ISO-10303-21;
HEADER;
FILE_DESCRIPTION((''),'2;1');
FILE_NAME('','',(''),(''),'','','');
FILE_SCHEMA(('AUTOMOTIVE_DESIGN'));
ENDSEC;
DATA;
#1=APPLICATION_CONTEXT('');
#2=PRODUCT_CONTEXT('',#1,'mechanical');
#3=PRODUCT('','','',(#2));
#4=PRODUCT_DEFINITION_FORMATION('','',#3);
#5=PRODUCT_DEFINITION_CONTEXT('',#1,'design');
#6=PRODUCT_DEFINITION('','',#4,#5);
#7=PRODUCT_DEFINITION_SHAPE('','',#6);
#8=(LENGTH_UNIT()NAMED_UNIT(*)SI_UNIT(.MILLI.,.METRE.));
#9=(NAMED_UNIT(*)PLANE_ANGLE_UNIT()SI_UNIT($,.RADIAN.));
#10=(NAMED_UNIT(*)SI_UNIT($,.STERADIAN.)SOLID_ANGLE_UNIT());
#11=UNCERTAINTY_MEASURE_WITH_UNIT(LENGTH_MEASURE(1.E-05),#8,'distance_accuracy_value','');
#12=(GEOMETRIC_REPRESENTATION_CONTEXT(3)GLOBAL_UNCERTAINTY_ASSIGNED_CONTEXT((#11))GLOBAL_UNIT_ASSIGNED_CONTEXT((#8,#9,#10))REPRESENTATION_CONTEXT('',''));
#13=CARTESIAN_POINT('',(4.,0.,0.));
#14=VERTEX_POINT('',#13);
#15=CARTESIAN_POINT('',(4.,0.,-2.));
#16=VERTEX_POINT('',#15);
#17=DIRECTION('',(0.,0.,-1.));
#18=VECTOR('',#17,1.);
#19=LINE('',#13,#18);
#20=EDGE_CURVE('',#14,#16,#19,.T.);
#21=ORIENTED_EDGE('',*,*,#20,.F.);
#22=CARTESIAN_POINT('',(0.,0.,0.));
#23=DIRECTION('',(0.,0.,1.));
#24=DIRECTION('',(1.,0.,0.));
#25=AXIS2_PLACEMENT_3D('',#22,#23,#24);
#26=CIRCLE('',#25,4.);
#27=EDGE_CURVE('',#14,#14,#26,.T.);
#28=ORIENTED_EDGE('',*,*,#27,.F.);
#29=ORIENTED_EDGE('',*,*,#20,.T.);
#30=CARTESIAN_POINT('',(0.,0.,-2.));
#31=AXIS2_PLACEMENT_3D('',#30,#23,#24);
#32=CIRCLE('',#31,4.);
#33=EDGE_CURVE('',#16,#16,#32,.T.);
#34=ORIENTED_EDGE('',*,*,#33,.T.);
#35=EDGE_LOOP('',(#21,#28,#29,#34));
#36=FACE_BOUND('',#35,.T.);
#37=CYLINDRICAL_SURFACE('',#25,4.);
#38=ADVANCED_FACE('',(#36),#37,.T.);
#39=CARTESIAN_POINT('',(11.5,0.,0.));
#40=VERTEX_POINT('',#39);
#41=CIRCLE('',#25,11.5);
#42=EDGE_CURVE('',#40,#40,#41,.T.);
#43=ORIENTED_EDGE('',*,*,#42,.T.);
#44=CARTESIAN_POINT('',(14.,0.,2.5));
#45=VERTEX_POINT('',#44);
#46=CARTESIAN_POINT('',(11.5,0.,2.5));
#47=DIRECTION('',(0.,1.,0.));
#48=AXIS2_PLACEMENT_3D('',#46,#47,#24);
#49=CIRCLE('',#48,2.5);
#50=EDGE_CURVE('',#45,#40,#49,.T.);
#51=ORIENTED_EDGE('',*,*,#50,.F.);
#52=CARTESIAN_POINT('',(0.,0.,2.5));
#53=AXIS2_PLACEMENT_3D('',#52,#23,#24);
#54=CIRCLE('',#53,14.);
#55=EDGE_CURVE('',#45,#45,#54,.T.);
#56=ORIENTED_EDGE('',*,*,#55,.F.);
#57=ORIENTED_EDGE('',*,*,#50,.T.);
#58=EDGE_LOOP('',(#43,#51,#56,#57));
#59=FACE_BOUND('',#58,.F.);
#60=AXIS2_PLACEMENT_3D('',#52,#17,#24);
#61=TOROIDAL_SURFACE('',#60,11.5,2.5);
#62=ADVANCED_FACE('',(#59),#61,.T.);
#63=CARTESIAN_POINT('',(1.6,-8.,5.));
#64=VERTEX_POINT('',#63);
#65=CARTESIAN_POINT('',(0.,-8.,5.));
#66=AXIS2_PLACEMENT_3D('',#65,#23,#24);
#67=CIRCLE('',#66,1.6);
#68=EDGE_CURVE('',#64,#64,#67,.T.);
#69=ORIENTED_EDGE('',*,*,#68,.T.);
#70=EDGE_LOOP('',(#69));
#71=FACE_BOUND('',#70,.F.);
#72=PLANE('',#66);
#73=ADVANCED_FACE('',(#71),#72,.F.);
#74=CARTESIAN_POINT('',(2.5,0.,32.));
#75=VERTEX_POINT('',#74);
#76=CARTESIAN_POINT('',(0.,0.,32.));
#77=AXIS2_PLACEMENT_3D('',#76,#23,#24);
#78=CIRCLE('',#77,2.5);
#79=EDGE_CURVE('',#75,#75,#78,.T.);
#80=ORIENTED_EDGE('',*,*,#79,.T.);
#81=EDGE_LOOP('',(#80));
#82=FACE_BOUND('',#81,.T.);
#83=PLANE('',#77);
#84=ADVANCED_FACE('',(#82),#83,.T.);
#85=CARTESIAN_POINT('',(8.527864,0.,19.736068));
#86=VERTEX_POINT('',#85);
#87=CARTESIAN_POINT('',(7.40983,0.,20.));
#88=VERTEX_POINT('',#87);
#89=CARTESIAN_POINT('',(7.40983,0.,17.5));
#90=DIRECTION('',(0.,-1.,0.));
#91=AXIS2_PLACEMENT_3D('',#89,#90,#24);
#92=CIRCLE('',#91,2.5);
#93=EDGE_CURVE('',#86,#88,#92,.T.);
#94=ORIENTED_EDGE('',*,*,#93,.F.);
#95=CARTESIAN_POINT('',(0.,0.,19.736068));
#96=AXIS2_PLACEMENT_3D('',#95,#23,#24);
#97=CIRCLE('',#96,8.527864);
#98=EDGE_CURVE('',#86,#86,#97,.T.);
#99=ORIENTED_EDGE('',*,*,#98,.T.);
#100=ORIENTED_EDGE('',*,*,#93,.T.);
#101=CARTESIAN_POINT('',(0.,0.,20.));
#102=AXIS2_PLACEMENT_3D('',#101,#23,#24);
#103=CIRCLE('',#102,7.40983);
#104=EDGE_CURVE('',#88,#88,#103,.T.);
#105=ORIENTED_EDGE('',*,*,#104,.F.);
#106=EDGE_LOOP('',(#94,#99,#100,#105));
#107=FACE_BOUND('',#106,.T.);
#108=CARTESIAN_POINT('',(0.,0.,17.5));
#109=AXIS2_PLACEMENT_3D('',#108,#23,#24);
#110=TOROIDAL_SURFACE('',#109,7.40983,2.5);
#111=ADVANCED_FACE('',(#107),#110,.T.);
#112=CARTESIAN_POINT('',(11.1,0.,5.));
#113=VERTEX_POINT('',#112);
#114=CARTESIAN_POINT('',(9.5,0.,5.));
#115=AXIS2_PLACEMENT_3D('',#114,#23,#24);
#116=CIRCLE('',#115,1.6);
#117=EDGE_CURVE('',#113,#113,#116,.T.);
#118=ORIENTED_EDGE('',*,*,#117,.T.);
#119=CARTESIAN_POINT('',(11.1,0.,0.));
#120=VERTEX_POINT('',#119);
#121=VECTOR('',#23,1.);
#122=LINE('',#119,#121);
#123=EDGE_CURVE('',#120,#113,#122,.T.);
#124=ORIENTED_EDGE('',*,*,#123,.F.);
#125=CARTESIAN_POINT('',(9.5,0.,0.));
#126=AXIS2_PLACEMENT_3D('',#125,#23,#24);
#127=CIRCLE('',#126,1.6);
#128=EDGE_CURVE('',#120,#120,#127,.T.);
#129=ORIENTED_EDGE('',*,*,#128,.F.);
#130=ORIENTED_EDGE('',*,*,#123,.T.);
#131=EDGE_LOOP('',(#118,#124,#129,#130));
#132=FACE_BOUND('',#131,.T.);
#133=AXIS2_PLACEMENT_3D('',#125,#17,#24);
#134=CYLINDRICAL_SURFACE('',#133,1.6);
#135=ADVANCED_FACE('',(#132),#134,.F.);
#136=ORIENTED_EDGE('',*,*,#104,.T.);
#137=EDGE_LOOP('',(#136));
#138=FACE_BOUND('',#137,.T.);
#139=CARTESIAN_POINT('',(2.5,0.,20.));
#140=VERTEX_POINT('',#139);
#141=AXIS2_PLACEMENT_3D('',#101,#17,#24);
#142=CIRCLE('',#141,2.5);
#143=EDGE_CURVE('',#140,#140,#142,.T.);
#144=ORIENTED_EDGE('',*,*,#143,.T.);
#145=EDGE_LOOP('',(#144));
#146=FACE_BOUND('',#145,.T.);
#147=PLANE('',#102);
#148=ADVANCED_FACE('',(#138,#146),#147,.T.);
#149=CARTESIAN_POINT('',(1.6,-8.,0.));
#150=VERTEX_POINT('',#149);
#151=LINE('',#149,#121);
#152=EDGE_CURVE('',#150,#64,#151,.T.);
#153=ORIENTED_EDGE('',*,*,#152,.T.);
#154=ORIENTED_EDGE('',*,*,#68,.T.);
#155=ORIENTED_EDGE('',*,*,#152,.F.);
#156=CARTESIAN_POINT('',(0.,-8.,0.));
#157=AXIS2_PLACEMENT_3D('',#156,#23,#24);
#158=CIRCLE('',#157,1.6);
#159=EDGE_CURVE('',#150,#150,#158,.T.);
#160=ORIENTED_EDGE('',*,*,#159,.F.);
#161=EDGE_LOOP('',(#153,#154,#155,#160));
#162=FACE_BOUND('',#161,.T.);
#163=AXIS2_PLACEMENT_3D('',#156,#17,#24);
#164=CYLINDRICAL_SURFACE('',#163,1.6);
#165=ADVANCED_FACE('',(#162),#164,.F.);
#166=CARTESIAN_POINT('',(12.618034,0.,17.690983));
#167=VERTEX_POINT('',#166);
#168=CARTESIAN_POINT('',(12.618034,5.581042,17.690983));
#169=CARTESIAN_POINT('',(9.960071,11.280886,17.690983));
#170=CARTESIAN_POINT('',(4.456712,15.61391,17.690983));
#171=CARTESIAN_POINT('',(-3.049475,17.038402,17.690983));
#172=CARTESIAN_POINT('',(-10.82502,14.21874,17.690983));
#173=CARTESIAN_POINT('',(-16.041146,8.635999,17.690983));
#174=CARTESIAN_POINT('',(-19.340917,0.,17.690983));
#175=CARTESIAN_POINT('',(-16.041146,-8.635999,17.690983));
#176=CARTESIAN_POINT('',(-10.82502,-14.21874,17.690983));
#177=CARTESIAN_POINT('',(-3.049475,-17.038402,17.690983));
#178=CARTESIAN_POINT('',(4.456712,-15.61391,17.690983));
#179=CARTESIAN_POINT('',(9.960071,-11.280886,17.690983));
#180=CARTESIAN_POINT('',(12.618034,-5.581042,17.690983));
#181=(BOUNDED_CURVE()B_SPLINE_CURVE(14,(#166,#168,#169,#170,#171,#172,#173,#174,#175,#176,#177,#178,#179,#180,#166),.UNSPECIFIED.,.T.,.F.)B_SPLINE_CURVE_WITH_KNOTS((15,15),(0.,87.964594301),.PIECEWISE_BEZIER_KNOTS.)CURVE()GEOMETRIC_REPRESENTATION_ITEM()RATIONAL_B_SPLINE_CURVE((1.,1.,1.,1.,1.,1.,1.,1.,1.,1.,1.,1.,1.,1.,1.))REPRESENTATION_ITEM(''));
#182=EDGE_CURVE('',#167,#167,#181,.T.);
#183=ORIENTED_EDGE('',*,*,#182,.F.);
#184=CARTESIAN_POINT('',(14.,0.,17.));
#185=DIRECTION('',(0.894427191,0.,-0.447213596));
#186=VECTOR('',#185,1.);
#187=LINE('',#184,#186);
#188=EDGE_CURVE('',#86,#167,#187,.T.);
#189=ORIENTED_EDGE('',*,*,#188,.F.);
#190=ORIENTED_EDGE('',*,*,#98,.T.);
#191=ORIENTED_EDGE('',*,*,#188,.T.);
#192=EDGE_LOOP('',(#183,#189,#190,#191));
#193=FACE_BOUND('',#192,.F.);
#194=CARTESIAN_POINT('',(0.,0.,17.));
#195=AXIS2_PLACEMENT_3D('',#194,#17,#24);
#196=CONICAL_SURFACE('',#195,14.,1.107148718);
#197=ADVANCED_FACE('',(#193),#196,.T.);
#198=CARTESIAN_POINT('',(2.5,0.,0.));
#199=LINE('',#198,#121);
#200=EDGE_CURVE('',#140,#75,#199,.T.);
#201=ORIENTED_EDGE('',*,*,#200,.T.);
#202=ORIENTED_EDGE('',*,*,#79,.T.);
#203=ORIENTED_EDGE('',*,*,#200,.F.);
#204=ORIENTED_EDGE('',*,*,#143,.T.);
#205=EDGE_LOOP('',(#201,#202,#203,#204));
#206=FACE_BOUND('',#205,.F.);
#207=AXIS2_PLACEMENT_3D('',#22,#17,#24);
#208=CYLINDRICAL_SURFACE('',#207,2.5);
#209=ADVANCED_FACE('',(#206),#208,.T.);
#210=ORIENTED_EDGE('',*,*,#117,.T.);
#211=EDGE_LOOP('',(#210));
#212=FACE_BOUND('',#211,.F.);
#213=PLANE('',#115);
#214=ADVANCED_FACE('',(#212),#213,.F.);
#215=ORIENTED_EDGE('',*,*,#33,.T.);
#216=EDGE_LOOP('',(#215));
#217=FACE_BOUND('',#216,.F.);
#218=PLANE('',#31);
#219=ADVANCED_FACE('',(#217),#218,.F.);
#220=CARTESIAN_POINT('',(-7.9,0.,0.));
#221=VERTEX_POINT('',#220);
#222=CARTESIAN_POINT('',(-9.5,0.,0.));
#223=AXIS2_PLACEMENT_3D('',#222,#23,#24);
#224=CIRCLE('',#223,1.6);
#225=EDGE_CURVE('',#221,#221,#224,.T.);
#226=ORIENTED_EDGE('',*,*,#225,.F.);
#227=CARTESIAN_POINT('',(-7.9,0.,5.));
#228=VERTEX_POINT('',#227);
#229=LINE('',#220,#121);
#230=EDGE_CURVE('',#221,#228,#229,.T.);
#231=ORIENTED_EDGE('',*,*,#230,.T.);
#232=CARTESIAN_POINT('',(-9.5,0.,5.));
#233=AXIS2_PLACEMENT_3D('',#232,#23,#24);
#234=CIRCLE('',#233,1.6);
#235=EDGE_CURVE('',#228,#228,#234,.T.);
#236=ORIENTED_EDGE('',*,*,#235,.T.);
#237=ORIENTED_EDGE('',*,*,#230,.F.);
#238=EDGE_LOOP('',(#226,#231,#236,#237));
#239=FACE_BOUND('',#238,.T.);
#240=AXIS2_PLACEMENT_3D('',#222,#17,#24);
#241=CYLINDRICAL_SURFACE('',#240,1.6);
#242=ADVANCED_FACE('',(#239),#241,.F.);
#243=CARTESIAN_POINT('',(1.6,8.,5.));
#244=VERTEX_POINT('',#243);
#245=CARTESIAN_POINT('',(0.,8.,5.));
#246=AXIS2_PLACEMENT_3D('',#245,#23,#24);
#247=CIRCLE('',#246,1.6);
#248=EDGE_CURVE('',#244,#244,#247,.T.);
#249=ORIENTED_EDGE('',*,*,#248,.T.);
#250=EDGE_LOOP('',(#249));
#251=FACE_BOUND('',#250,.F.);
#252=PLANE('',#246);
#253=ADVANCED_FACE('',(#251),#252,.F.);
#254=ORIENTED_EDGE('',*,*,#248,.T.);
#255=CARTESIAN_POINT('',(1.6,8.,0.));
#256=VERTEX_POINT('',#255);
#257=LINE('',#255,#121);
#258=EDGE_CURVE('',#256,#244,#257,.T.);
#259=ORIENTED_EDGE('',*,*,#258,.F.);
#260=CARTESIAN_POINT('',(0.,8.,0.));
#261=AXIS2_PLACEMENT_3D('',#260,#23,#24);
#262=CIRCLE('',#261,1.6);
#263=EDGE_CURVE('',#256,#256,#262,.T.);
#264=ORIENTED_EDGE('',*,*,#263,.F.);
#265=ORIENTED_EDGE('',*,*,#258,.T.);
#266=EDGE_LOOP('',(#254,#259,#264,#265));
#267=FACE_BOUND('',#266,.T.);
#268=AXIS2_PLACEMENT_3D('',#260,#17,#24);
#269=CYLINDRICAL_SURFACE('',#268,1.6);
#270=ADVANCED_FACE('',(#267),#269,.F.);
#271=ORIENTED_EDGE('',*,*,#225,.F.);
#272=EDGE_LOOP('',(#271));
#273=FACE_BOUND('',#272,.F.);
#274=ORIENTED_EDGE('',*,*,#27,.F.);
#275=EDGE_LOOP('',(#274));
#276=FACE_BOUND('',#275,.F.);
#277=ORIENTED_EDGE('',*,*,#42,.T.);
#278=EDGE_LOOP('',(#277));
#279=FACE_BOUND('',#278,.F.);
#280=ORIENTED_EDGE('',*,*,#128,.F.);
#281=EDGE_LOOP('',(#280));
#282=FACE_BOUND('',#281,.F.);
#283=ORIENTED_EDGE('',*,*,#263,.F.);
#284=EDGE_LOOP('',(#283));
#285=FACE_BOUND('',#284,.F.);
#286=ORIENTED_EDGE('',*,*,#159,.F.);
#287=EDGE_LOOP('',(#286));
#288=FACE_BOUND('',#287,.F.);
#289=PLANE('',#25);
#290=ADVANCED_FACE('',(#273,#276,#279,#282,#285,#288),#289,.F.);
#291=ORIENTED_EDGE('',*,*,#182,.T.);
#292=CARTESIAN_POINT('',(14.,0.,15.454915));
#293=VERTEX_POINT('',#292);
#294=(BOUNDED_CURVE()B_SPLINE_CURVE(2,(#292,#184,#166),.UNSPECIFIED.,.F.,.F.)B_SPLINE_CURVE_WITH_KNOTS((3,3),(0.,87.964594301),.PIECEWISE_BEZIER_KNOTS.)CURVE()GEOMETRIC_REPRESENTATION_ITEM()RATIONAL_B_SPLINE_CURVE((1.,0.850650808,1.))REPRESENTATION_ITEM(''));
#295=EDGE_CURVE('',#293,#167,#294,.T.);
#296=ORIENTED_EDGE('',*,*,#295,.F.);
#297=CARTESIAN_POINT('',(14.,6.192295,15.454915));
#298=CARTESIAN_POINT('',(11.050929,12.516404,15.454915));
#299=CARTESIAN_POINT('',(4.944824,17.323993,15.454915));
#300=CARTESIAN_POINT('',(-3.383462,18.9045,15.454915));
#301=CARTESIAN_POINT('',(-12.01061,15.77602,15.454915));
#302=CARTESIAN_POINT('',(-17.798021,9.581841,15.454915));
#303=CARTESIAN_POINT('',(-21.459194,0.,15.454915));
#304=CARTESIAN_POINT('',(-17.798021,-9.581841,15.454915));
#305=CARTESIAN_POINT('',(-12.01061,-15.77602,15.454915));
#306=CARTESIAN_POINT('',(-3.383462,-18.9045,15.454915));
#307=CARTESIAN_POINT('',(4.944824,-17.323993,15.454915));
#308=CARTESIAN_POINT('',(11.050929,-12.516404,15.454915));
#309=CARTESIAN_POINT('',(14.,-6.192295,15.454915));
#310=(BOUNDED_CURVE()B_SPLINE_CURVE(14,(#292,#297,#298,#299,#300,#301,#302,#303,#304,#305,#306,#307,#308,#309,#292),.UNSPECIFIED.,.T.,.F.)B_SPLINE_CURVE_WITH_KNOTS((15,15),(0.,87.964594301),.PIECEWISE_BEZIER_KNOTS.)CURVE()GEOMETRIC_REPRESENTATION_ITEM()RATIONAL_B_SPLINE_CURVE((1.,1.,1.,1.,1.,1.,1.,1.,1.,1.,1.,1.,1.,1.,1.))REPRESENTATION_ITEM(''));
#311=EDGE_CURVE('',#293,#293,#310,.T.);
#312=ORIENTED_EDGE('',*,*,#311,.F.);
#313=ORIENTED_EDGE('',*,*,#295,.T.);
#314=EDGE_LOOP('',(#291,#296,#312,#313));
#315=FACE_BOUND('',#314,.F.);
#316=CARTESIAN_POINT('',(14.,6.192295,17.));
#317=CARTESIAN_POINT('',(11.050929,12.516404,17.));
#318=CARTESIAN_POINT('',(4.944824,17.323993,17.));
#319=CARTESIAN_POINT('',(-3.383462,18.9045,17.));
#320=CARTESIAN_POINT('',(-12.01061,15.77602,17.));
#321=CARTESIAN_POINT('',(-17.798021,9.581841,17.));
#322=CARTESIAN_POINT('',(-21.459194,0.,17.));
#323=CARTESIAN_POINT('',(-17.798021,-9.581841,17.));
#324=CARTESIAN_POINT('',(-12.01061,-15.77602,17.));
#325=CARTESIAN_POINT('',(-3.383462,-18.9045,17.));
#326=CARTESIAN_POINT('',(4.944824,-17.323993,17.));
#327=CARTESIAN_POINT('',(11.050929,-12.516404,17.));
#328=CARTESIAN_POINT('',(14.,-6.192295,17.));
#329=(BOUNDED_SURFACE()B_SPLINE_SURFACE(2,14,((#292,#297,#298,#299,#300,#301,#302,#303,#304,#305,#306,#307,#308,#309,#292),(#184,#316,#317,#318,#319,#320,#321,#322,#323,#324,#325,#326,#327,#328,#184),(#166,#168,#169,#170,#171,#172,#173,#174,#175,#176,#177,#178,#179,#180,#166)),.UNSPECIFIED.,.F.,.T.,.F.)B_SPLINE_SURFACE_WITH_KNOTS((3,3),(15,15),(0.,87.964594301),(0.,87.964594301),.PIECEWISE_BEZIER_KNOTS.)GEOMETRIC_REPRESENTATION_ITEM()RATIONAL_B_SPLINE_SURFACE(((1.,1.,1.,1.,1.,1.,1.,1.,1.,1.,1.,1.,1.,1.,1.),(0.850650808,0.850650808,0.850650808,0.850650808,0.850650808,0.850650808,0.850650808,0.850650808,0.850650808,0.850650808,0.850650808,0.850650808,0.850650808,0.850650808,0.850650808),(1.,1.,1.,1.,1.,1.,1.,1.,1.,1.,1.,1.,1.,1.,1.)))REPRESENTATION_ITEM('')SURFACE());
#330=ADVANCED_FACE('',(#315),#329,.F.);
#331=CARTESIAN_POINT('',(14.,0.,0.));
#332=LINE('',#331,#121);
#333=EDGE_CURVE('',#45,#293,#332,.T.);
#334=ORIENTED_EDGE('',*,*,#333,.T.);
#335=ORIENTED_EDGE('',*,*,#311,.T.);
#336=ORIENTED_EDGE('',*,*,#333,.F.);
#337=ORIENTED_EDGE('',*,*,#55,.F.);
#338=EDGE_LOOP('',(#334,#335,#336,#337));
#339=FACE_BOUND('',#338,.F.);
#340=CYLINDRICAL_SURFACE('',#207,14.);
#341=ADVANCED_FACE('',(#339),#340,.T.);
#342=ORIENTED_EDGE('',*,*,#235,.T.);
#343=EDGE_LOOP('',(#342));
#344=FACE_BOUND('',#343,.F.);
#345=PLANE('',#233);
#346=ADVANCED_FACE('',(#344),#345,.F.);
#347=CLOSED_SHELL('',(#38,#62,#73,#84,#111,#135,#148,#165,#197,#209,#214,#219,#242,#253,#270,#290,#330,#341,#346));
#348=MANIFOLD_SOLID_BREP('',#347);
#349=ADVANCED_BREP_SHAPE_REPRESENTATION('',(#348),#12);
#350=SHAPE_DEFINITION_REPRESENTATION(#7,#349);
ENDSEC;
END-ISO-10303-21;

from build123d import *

# Parameters (mm, degrees)
F0_R     = 14
F0_R_2   = 1.6
F0_R_3   = 4
F0_R_4   = 2.5
F1_DEPTH = 20
F2_DEPTH = 32
F3_DEPTH = 2
F4_START = 5
F4_DEPTH = 15
F5_SIZE2 = 3
F5_SIZE  = 6
F6_R     = 2.5


with BuildPart() as f1:
    # F0 (on Top) → F1 (new body)
    with BuildSketch(Plane.XY):
        Circle(F0_R)
        with Locations((0, -8)):
            Circle(F0_R_2, mode=Mode.SUBTRACT)
        with Locations((-9.5, 0)):
            Circle(F0_R_2, mode=Mode.SUBTRACT)
        Circle(F0_R_3, mode=Mode.SUBTRACT)
        with Locations((9.5, 0)):
            Circle(F0_R_2, mode=Mode.SUBTRACT)
        with Locations((0, 8)):
            Circle(F0_R_2, mode=Mode.SUBTRACT)
        Circle(F0_R_3)
        Circle(F0_R_4, mode=Mode.SUBTRACT)
        Circle(F0_R_4)
    extrude(amount=F1_DEPTH)

    # F0 (on Top) → F2 (join)
    with BuildSketch(Plane.XY):
        Circle(F0_R_4)
    extrude(amount=F2_DEPTH)

    # F0 (on Top) → F3 (join)
    with BuildSketch(Plane.XY):
        Circle(F0_R_3)
        Circle(F0_R_4, mode=Mode.SUBTRACT)
        Circle(F0_R_4)
    extrude(amount=-F3_DEPTH)

    # F0 (on Top) → F4 (join)
    with BuildSketch(Plane.XY.offset(F4_START)):
        with Locations((0, 8)):
            Circle(F0_R_2)
        with Locations((9.5, 0)):
            Circle(F0_R_2)
        with Locations((0, -8)):
            Circle(F0_R_2)
        with Locations((-9.5, 0)):
            Circle(F0_R_2)
    extrude(amount=F4_DEPTH)

    # F5
    f5_edges = [f1.edges().sort_by_distance(p)[0] for p in [
        (-14, 0, 20),
    ]]
    f5_side = f1.faces().sort_by_distance((-13.60402, 0, 20))[0]
    chamfer(f5_edges, length=F5_SIZE, length2=F5_SIZE2, reference=f5_side)

    # F6
    f6_edges = [f1.edges().sort_by_distance(p)[0] for p in [
        (11, 0, 18.5),
        (-8, 0, 20),
        (-14, 0, 17),
        (14, 0, 8.5),
        (-14, 0, 0),
    ]]
    fillet(f6_edges, radius=F6_R)


solid = f1.part
